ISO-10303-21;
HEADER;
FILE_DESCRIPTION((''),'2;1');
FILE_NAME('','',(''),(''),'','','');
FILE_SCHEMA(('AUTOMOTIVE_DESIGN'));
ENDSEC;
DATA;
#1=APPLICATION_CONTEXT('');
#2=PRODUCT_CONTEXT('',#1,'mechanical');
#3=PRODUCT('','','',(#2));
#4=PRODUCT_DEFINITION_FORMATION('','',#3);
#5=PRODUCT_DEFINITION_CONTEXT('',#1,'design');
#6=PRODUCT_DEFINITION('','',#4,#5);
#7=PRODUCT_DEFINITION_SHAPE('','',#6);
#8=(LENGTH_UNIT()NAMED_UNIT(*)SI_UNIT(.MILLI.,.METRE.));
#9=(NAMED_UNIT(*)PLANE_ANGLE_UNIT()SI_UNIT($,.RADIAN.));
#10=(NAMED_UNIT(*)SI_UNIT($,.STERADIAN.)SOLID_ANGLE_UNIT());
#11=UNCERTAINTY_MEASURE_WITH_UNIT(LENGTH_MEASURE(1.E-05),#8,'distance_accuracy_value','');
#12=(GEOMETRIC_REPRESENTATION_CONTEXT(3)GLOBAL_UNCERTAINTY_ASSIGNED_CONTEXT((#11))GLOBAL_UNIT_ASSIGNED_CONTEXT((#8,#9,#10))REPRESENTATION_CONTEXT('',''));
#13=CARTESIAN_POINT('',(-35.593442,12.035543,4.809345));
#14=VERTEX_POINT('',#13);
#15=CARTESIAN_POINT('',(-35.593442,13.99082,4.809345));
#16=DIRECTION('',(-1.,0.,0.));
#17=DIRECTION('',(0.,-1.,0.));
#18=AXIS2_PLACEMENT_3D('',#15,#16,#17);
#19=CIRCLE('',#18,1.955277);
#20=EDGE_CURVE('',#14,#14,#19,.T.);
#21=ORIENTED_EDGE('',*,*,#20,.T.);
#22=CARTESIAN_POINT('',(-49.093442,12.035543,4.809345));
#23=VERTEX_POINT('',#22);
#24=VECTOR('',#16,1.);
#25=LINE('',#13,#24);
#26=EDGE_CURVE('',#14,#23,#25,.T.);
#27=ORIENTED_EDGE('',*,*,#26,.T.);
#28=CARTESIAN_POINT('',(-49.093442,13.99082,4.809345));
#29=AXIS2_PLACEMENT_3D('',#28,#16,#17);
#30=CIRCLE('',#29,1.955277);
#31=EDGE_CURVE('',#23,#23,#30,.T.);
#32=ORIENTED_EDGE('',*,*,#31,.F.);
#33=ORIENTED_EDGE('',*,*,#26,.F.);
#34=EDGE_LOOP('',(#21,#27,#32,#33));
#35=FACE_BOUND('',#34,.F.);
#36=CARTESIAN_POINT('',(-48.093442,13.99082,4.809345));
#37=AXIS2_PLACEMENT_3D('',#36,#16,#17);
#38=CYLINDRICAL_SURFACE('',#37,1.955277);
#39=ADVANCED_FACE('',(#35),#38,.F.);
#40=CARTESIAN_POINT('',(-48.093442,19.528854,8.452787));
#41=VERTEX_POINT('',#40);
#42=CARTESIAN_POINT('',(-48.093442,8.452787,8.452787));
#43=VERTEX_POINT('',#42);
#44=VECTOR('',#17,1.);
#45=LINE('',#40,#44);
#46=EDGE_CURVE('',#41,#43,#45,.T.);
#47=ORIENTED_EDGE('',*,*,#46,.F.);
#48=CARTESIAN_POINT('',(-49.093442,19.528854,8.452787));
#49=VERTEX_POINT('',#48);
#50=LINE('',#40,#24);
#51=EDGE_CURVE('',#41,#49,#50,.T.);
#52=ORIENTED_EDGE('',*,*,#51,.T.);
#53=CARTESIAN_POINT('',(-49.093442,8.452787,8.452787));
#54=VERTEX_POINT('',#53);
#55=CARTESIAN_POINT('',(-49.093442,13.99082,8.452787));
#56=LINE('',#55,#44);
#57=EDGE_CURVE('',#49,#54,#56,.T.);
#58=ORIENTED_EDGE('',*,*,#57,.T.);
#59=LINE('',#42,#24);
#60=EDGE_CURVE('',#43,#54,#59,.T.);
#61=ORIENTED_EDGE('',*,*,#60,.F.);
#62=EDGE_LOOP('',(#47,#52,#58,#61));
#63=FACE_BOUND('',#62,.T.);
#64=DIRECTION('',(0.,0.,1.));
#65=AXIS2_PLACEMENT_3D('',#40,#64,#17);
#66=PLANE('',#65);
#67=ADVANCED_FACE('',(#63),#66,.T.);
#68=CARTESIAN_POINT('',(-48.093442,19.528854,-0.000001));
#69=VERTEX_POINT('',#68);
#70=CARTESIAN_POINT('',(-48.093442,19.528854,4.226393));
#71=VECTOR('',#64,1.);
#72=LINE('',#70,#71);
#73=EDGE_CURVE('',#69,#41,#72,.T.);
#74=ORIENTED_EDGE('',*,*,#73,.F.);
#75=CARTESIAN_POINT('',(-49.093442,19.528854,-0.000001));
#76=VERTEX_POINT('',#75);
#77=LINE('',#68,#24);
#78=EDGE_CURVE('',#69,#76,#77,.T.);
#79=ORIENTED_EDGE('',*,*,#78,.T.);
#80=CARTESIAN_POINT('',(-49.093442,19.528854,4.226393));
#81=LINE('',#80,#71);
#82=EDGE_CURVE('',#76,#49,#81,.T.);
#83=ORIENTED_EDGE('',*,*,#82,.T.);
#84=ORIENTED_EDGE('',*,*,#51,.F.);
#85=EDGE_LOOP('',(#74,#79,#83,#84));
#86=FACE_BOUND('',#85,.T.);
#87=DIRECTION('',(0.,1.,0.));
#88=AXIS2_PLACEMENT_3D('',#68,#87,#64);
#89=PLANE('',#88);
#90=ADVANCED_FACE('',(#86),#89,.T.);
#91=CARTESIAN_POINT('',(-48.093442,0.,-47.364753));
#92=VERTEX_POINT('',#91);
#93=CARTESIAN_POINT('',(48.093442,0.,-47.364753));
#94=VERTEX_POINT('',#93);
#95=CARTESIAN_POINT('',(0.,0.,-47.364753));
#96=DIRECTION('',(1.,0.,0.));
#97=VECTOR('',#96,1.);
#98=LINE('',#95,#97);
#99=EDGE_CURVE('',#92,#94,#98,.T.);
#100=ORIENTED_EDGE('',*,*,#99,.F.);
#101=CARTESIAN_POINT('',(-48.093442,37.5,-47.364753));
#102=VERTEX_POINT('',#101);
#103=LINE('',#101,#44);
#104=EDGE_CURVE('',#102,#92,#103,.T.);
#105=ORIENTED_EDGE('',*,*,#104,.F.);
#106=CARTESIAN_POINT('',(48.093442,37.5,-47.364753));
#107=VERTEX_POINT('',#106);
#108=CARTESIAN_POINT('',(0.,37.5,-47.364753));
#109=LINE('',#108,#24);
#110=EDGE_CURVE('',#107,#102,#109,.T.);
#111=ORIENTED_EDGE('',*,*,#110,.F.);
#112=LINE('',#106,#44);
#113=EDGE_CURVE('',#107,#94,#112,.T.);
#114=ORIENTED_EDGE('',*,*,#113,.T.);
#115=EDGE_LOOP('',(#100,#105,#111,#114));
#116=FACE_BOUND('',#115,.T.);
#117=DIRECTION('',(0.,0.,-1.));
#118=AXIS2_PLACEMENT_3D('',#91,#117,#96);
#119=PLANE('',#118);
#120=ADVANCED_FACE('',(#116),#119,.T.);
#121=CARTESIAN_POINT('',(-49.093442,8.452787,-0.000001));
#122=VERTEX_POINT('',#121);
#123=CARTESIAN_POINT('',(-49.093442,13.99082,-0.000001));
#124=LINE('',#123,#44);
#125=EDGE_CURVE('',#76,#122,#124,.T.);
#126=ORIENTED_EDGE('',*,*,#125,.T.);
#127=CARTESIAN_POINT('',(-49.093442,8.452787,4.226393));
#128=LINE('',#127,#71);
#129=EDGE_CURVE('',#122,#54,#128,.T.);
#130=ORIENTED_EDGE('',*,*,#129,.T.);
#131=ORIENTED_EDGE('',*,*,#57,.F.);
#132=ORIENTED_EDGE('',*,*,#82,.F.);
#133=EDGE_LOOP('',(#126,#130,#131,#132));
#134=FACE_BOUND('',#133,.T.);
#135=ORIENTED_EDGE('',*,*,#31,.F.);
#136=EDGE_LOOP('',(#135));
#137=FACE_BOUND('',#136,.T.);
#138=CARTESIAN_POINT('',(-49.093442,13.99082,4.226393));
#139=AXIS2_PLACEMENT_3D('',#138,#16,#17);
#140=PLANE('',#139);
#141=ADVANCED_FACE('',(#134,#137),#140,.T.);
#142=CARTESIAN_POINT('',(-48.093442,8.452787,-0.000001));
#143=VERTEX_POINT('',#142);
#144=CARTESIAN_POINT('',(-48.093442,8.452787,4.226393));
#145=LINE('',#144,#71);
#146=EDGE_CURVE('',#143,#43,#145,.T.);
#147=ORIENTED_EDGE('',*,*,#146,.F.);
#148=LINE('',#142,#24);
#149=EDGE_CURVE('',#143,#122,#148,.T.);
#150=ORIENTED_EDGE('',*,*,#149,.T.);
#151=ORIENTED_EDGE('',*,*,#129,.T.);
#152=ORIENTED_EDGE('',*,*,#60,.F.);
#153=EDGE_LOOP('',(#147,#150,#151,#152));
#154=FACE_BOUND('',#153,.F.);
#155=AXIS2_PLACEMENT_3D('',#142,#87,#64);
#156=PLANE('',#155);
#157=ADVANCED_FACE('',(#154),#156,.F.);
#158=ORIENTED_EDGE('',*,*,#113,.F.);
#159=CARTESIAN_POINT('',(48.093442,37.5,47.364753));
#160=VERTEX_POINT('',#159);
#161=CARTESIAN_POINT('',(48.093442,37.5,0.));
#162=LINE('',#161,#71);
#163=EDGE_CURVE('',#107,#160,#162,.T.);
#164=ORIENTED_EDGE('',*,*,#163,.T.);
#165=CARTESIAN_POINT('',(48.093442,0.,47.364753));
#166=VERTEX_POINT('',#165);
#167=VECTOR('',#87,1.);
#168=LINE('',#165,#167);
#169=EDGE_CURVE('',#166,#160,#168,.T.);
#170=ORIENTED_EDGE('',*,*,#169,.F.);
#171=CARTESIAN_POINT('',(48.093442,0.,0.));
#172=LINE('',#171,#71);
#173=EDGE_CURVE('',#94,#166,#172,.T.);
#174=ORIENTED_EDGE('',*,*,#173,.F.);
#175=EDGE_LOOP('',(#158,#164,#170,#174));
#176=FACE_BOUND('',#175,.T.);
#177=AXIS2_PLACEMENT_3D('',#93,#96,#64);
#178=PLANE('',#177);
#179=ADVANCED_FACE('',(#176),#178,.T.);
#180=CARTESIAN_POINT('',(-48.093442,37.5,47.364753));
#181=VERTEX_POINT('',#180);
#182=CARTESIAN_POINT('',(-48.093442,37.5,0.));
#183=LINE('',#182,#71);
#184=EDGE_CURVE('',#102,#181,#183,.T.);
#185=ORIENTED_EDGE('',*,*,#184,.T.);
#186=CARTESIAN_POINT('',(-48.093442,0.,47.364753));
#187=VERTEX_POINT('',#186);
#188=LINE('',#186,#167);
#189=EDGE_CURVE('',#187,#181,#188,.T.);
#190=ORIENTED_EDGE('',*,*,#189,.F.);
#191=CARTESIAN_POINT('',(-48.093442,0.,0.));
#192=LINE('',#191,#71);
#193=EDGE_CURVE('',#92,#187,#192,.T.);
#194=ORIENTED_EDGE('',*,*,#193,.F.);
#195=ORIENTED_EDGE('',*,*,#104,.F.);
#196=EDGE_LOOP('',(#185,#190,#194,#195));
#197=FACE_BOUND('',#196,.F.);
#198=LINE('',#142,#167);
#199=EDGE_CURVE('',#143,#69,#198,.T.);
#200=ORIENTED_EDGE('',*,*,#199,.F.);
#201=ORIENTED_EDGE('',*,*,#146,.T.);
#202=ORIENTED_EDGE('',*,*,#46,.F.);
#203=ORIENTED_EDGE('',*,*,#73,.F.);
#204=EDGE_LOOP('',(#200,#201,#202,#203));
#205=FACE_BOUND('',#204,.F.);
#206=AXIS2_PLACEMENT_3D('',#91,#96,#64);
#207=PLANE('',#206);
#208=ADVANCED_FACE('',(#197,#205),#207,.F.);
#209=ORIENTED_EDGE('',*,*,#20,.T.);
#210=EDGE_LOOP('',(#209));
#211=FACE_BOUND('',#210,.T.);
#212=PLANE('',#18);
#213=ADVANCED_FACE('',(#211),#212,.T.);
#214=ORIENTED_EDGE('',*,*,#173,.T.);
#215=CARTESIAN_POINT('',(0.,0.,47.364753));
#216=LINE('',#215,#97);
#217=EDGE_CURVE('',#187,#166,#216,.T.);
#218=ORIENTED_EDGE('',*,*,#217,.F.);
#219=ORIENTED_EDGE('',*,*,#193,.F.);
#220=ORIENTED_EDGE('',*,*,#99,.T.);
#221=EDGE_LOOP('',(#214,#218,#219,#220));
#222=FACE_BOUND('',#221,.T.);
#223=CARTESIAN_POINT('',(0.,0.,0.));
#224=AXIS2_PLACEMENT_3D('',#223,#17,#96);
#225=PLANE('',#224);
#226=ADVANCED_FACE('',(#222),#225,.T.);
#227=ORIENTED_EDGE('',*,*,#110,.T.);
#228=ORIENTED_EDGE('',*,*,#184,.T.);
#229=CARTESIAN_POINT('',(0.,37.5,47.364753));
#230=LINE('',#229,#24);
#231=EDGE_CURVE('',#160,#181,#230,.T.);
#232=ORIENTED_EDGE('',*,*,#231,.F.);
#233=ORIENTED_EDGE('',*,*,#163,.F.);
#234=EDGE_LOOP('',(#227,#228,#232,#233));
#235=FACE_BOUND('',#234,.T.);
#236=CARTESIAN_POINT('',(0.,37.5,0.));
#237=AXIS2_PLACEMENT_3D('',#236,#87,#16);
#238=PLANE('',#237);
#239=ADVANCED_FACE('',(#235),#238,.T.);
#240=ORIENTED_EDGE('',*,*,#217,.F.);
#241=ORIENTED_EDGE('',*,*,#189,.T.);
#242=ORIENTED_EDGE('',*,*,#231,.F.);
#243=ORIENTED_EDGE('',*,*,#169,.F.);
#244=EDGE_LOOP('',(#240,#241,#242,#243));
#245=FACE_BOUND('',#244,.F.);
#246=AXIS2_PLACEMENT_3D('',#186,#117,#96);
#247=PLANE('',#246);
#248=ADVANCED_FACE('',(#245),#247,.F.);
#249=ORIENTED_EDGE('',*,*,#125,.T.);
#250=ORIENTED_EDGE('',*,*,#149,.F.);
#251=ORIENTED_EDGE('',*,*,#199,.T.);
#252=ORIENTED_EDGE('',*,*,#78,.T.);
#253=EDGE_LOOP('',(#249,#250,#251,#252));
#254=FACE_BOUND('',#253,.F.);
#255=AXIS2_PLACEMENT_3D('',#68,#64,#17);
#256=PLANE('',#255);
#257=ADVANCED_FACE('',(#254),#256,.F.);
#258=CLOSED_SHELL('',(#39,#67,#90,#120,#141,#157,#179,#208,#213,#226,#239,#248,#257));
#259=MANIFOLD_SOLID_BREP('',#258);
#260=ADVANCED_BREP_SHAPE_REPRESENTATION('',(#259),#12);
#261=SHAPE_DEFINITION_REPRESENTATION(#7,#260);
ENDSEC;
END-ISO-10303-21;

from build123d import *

# Parameters (mm, degrees)
F0_W     = 96.186884
F0_H     = 94.729506
F1_DEPTH = 25
F2_W     = 11.076067
F2_H     = 8.452787
F3_DEPTH = 1
F4_W     = 96.186884
F4_H     = 94.729506
F5_DEPTH = 12.5
F6_R     = 1.955277
F7_DEPTH = 12.5


with BuildPart() as f1:
    # F0 (on Front) → F1 (new body)
    with BuildSketch(Plane.XZ):
        Rectangle(F0_W, F0_H)
    extrude(amount=-F1_DEPTH)

    # F2 (on face) → F3 (join)
    with BuildSketch(Plane(origin=(-48.093442, 0, 0), x_dir=(0, -1, 0), z_dir=(-1, 0, 0))):
        with Locations((-13.99082, 4.226393)):
            Rectangle(F2_W, F2_H)
    extrude(amount=F3_DEPTH)

    # F4 (on face) → F5 (join, symmetric)
    with BuildSketch(Plane(origin=(0, 25, 0), x_dir=(-1, 0, 0), z_dir=(0, 1, 0))):
        Rectangle(F4_W, F4_H)
    extrude(amount=F5_DEPTH, both=True)

    # F6 (on face) → F7 (cut, symmetric)
    with BuildSketch(Plane(origin=(-48.093442, 0, 0), x_dir=(0, -1, 0), z_dir=(-1, 0, 0))):
        with Locations((-13.99082, 4.809345)):
            Circle(F6_R)
    extrude(amount=F7_DEPTH, both=True, mode=Mode.SUBTRACT)


solid = f1.part
